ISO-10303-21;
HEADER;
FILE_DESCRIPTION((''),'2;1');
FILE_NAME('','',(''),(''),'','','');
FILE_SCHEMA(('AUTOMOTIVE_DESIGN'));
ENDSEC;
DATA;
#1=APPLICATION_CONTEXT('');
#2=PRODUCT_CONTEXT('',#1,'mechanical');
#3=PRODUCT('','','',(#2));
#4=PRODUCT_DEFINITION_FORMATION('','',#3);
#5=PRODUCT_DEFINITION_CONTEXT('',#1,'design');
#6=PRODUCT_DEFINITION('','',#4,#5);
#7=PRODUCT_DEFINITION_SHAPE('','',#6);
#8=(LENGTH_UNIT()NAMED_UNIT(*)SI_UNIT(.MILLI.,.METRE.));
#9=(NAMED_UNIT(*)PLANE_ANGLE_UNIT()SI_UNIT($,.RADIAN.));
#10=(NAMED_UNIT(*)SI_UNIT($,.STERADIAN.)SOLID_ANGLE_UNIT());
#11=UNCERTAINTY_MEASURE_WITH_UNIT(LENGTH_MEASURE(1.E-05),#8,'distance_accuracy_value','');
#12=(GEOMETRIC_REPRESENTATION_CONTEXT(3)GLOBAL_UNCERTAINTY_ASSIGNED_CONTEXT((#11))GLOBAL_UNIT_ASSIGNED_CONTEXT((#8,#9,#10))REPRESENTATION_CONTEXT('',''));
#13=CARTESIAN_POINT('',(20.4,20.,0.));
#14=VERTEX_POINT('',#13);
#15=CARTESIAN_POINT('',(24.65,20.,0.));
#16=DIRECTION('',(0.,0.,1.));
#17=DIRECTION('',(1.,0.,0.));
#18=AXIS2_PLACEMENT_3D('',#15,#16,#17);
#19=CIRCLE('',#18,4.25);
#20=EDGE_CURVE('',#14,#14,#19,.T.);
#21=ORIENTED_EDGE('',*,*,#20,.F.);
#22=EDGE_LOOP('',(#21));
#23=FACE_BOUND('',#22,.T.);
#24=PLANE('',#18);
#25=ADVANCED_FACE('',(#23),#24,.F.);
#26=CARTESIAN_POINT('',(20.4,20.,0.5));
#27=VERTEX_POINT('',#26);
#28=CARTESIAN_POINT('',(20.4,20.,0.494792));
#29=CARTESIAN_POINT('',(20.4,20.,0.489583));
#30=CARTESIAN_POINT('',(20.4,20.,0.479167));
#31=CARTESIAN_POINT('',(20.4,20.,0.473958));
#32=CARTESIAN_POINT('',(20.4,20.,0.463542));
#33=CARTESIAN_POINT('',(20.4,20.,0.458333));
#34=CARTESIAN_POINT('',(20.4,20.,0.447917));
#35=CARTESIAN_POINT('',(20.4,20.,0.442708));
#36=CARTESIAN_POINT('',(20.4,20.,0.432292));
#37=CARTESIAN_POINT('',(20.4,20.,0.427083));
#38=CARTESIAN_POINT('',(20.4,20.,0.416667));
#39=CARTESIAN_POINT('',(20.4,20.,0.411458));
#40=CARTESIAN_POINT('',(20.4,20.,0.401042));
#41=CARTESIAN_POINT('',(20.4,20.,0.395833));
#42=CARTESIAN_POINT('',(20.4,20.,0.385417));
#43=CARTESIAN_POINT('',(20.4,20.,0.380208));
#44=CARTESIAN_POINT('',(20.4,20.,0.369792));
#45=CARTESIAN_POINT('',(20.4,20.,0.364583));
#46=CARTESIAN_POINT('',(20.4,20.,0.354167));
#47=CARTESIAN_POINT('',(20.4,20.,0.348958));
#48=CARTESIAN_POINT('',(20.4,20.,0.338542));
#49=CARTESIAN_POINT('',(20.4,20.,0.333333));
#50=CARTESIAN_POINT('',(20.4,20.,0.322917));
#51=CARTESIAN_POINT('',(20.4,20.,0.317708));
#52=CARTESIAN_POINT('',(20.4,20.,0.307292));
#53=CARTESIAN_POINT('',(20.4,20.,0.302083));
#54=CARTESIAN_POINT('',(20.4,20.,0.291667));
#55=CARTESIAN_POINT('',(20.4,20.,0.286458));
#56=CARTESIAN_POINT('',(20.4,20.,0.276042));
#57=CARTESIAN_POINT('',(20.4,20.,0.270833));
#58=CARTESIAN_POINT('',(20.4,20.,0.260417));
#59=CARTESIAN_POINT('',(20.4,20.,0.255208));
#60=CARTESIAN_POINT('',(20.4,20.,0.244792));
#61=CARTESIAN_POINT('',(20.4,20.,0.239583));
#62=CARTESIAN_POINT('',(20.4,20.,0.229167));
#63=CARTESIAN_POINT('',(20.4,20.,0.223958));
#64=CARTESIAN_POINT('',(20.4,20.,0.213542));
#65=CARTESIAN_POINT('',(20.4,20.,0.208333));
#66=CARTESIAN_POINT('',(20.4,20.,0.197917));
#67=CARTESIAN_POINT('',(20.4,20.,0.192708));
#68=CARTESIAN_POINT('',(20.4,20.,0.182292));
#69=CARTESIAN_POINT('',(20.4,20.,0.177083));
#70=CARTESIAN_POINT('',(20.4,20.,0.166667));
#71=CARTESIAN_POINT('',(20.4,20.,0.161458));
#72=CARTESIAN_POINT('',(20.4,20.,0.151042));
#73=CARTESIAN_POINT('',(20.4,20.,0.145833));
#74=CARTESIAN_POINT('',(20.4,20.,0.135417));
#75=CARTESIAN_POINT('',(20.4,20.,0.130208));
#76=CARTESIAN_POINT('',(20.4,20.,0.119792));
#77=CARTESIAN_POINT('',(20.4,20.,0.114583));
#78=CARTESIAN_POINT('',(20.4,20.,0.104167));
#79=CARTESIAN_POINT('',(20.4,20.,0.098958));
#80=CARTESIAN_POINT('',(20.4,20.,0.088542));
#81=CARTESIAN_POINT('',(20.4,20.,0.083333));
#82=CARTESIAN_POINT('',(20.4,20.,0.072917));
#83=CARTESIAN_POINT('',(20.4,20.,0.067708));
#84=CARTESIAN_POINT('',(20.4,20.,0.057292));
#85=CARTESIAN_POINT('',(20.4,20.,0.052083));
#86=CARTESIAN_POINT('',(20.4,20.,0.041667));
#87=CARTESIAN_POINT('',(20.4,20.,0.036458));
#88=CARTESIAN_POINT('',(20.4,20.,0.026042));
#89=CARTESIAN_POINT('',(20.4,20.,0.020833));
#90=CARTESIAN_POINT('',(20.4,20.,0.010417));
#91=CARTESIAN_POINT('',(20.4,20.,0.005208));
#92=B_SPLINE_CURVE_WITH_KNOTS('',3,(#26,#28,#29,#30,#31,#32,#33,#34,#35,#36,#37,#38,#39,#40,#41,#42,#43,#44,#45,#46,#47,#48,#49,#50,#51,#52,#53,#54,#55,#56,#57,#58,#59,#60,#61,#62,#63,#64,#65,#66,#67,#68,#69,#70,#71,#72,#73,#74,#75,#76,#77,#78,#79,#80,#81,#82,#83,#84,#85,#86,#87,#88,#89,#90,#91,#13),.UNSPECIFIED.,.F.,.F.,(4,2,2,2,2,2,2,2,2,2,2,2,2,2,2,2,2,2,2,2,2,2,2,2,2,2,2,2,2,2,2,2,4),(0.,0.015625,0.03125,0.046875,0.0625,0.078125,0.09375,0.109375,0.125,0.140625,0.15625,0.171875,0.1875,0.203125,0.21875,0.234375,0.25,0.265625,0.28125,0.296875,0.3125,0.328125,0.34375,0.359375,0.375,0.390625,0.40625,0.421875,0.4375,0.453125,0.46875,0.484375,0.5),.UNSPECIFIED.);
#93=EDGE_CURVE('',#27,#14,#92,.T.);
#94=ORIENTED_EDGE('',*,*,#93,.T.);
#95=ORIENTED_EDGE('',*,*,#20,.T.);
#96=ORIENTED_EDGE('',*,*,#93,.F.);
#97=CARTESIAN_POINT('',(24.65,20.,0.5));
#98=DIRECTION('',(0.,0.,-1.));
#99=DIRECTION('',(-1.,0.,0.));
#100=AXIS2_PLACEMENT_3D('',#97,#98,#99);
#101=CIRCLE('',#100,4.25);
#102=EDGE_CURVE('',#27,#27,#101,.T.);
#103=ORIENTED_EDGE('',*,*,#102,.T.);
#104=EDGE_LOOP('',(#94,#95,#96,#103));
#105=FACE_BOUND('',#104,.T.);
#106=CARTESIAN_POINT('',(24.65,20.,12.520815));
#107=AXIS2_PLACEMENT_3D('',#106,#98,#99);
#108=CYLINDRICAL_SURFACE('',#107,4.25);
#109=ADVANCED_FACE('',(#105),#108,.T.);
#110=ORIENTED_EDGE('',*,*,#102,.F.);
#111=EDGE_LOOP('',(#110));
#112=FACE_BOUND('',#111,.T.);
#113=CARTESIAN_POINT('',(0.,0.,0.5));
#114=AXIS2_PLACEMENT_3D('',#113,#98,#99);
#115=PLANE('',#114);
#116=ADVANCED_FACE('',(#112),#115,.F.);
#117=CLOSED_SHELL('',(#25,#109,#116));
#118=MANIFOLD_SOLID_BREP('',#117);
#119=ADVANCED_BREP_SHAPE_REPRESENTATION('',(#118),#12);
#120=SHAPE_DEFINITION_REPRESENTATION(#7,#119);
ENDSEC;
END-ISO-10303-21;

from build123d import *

# Parameters (mm, degrees)
ESQUISSE1_R        = 4.25
BOSS_EXTRU_1_DEPTH = 0.5


with BuildPart() as part:
    # Esquisse1 → Boss.-Extru.1 (new body)
    with BuildSketch(Plane.XY):
        with Locations(Location((24.65, 20, 0), (0, 0, 180))):
            Circle(ESQUISSE1_R)
    extrude(amount=BOSS_EXTRU_1_DEPTH)


solid = part.part
